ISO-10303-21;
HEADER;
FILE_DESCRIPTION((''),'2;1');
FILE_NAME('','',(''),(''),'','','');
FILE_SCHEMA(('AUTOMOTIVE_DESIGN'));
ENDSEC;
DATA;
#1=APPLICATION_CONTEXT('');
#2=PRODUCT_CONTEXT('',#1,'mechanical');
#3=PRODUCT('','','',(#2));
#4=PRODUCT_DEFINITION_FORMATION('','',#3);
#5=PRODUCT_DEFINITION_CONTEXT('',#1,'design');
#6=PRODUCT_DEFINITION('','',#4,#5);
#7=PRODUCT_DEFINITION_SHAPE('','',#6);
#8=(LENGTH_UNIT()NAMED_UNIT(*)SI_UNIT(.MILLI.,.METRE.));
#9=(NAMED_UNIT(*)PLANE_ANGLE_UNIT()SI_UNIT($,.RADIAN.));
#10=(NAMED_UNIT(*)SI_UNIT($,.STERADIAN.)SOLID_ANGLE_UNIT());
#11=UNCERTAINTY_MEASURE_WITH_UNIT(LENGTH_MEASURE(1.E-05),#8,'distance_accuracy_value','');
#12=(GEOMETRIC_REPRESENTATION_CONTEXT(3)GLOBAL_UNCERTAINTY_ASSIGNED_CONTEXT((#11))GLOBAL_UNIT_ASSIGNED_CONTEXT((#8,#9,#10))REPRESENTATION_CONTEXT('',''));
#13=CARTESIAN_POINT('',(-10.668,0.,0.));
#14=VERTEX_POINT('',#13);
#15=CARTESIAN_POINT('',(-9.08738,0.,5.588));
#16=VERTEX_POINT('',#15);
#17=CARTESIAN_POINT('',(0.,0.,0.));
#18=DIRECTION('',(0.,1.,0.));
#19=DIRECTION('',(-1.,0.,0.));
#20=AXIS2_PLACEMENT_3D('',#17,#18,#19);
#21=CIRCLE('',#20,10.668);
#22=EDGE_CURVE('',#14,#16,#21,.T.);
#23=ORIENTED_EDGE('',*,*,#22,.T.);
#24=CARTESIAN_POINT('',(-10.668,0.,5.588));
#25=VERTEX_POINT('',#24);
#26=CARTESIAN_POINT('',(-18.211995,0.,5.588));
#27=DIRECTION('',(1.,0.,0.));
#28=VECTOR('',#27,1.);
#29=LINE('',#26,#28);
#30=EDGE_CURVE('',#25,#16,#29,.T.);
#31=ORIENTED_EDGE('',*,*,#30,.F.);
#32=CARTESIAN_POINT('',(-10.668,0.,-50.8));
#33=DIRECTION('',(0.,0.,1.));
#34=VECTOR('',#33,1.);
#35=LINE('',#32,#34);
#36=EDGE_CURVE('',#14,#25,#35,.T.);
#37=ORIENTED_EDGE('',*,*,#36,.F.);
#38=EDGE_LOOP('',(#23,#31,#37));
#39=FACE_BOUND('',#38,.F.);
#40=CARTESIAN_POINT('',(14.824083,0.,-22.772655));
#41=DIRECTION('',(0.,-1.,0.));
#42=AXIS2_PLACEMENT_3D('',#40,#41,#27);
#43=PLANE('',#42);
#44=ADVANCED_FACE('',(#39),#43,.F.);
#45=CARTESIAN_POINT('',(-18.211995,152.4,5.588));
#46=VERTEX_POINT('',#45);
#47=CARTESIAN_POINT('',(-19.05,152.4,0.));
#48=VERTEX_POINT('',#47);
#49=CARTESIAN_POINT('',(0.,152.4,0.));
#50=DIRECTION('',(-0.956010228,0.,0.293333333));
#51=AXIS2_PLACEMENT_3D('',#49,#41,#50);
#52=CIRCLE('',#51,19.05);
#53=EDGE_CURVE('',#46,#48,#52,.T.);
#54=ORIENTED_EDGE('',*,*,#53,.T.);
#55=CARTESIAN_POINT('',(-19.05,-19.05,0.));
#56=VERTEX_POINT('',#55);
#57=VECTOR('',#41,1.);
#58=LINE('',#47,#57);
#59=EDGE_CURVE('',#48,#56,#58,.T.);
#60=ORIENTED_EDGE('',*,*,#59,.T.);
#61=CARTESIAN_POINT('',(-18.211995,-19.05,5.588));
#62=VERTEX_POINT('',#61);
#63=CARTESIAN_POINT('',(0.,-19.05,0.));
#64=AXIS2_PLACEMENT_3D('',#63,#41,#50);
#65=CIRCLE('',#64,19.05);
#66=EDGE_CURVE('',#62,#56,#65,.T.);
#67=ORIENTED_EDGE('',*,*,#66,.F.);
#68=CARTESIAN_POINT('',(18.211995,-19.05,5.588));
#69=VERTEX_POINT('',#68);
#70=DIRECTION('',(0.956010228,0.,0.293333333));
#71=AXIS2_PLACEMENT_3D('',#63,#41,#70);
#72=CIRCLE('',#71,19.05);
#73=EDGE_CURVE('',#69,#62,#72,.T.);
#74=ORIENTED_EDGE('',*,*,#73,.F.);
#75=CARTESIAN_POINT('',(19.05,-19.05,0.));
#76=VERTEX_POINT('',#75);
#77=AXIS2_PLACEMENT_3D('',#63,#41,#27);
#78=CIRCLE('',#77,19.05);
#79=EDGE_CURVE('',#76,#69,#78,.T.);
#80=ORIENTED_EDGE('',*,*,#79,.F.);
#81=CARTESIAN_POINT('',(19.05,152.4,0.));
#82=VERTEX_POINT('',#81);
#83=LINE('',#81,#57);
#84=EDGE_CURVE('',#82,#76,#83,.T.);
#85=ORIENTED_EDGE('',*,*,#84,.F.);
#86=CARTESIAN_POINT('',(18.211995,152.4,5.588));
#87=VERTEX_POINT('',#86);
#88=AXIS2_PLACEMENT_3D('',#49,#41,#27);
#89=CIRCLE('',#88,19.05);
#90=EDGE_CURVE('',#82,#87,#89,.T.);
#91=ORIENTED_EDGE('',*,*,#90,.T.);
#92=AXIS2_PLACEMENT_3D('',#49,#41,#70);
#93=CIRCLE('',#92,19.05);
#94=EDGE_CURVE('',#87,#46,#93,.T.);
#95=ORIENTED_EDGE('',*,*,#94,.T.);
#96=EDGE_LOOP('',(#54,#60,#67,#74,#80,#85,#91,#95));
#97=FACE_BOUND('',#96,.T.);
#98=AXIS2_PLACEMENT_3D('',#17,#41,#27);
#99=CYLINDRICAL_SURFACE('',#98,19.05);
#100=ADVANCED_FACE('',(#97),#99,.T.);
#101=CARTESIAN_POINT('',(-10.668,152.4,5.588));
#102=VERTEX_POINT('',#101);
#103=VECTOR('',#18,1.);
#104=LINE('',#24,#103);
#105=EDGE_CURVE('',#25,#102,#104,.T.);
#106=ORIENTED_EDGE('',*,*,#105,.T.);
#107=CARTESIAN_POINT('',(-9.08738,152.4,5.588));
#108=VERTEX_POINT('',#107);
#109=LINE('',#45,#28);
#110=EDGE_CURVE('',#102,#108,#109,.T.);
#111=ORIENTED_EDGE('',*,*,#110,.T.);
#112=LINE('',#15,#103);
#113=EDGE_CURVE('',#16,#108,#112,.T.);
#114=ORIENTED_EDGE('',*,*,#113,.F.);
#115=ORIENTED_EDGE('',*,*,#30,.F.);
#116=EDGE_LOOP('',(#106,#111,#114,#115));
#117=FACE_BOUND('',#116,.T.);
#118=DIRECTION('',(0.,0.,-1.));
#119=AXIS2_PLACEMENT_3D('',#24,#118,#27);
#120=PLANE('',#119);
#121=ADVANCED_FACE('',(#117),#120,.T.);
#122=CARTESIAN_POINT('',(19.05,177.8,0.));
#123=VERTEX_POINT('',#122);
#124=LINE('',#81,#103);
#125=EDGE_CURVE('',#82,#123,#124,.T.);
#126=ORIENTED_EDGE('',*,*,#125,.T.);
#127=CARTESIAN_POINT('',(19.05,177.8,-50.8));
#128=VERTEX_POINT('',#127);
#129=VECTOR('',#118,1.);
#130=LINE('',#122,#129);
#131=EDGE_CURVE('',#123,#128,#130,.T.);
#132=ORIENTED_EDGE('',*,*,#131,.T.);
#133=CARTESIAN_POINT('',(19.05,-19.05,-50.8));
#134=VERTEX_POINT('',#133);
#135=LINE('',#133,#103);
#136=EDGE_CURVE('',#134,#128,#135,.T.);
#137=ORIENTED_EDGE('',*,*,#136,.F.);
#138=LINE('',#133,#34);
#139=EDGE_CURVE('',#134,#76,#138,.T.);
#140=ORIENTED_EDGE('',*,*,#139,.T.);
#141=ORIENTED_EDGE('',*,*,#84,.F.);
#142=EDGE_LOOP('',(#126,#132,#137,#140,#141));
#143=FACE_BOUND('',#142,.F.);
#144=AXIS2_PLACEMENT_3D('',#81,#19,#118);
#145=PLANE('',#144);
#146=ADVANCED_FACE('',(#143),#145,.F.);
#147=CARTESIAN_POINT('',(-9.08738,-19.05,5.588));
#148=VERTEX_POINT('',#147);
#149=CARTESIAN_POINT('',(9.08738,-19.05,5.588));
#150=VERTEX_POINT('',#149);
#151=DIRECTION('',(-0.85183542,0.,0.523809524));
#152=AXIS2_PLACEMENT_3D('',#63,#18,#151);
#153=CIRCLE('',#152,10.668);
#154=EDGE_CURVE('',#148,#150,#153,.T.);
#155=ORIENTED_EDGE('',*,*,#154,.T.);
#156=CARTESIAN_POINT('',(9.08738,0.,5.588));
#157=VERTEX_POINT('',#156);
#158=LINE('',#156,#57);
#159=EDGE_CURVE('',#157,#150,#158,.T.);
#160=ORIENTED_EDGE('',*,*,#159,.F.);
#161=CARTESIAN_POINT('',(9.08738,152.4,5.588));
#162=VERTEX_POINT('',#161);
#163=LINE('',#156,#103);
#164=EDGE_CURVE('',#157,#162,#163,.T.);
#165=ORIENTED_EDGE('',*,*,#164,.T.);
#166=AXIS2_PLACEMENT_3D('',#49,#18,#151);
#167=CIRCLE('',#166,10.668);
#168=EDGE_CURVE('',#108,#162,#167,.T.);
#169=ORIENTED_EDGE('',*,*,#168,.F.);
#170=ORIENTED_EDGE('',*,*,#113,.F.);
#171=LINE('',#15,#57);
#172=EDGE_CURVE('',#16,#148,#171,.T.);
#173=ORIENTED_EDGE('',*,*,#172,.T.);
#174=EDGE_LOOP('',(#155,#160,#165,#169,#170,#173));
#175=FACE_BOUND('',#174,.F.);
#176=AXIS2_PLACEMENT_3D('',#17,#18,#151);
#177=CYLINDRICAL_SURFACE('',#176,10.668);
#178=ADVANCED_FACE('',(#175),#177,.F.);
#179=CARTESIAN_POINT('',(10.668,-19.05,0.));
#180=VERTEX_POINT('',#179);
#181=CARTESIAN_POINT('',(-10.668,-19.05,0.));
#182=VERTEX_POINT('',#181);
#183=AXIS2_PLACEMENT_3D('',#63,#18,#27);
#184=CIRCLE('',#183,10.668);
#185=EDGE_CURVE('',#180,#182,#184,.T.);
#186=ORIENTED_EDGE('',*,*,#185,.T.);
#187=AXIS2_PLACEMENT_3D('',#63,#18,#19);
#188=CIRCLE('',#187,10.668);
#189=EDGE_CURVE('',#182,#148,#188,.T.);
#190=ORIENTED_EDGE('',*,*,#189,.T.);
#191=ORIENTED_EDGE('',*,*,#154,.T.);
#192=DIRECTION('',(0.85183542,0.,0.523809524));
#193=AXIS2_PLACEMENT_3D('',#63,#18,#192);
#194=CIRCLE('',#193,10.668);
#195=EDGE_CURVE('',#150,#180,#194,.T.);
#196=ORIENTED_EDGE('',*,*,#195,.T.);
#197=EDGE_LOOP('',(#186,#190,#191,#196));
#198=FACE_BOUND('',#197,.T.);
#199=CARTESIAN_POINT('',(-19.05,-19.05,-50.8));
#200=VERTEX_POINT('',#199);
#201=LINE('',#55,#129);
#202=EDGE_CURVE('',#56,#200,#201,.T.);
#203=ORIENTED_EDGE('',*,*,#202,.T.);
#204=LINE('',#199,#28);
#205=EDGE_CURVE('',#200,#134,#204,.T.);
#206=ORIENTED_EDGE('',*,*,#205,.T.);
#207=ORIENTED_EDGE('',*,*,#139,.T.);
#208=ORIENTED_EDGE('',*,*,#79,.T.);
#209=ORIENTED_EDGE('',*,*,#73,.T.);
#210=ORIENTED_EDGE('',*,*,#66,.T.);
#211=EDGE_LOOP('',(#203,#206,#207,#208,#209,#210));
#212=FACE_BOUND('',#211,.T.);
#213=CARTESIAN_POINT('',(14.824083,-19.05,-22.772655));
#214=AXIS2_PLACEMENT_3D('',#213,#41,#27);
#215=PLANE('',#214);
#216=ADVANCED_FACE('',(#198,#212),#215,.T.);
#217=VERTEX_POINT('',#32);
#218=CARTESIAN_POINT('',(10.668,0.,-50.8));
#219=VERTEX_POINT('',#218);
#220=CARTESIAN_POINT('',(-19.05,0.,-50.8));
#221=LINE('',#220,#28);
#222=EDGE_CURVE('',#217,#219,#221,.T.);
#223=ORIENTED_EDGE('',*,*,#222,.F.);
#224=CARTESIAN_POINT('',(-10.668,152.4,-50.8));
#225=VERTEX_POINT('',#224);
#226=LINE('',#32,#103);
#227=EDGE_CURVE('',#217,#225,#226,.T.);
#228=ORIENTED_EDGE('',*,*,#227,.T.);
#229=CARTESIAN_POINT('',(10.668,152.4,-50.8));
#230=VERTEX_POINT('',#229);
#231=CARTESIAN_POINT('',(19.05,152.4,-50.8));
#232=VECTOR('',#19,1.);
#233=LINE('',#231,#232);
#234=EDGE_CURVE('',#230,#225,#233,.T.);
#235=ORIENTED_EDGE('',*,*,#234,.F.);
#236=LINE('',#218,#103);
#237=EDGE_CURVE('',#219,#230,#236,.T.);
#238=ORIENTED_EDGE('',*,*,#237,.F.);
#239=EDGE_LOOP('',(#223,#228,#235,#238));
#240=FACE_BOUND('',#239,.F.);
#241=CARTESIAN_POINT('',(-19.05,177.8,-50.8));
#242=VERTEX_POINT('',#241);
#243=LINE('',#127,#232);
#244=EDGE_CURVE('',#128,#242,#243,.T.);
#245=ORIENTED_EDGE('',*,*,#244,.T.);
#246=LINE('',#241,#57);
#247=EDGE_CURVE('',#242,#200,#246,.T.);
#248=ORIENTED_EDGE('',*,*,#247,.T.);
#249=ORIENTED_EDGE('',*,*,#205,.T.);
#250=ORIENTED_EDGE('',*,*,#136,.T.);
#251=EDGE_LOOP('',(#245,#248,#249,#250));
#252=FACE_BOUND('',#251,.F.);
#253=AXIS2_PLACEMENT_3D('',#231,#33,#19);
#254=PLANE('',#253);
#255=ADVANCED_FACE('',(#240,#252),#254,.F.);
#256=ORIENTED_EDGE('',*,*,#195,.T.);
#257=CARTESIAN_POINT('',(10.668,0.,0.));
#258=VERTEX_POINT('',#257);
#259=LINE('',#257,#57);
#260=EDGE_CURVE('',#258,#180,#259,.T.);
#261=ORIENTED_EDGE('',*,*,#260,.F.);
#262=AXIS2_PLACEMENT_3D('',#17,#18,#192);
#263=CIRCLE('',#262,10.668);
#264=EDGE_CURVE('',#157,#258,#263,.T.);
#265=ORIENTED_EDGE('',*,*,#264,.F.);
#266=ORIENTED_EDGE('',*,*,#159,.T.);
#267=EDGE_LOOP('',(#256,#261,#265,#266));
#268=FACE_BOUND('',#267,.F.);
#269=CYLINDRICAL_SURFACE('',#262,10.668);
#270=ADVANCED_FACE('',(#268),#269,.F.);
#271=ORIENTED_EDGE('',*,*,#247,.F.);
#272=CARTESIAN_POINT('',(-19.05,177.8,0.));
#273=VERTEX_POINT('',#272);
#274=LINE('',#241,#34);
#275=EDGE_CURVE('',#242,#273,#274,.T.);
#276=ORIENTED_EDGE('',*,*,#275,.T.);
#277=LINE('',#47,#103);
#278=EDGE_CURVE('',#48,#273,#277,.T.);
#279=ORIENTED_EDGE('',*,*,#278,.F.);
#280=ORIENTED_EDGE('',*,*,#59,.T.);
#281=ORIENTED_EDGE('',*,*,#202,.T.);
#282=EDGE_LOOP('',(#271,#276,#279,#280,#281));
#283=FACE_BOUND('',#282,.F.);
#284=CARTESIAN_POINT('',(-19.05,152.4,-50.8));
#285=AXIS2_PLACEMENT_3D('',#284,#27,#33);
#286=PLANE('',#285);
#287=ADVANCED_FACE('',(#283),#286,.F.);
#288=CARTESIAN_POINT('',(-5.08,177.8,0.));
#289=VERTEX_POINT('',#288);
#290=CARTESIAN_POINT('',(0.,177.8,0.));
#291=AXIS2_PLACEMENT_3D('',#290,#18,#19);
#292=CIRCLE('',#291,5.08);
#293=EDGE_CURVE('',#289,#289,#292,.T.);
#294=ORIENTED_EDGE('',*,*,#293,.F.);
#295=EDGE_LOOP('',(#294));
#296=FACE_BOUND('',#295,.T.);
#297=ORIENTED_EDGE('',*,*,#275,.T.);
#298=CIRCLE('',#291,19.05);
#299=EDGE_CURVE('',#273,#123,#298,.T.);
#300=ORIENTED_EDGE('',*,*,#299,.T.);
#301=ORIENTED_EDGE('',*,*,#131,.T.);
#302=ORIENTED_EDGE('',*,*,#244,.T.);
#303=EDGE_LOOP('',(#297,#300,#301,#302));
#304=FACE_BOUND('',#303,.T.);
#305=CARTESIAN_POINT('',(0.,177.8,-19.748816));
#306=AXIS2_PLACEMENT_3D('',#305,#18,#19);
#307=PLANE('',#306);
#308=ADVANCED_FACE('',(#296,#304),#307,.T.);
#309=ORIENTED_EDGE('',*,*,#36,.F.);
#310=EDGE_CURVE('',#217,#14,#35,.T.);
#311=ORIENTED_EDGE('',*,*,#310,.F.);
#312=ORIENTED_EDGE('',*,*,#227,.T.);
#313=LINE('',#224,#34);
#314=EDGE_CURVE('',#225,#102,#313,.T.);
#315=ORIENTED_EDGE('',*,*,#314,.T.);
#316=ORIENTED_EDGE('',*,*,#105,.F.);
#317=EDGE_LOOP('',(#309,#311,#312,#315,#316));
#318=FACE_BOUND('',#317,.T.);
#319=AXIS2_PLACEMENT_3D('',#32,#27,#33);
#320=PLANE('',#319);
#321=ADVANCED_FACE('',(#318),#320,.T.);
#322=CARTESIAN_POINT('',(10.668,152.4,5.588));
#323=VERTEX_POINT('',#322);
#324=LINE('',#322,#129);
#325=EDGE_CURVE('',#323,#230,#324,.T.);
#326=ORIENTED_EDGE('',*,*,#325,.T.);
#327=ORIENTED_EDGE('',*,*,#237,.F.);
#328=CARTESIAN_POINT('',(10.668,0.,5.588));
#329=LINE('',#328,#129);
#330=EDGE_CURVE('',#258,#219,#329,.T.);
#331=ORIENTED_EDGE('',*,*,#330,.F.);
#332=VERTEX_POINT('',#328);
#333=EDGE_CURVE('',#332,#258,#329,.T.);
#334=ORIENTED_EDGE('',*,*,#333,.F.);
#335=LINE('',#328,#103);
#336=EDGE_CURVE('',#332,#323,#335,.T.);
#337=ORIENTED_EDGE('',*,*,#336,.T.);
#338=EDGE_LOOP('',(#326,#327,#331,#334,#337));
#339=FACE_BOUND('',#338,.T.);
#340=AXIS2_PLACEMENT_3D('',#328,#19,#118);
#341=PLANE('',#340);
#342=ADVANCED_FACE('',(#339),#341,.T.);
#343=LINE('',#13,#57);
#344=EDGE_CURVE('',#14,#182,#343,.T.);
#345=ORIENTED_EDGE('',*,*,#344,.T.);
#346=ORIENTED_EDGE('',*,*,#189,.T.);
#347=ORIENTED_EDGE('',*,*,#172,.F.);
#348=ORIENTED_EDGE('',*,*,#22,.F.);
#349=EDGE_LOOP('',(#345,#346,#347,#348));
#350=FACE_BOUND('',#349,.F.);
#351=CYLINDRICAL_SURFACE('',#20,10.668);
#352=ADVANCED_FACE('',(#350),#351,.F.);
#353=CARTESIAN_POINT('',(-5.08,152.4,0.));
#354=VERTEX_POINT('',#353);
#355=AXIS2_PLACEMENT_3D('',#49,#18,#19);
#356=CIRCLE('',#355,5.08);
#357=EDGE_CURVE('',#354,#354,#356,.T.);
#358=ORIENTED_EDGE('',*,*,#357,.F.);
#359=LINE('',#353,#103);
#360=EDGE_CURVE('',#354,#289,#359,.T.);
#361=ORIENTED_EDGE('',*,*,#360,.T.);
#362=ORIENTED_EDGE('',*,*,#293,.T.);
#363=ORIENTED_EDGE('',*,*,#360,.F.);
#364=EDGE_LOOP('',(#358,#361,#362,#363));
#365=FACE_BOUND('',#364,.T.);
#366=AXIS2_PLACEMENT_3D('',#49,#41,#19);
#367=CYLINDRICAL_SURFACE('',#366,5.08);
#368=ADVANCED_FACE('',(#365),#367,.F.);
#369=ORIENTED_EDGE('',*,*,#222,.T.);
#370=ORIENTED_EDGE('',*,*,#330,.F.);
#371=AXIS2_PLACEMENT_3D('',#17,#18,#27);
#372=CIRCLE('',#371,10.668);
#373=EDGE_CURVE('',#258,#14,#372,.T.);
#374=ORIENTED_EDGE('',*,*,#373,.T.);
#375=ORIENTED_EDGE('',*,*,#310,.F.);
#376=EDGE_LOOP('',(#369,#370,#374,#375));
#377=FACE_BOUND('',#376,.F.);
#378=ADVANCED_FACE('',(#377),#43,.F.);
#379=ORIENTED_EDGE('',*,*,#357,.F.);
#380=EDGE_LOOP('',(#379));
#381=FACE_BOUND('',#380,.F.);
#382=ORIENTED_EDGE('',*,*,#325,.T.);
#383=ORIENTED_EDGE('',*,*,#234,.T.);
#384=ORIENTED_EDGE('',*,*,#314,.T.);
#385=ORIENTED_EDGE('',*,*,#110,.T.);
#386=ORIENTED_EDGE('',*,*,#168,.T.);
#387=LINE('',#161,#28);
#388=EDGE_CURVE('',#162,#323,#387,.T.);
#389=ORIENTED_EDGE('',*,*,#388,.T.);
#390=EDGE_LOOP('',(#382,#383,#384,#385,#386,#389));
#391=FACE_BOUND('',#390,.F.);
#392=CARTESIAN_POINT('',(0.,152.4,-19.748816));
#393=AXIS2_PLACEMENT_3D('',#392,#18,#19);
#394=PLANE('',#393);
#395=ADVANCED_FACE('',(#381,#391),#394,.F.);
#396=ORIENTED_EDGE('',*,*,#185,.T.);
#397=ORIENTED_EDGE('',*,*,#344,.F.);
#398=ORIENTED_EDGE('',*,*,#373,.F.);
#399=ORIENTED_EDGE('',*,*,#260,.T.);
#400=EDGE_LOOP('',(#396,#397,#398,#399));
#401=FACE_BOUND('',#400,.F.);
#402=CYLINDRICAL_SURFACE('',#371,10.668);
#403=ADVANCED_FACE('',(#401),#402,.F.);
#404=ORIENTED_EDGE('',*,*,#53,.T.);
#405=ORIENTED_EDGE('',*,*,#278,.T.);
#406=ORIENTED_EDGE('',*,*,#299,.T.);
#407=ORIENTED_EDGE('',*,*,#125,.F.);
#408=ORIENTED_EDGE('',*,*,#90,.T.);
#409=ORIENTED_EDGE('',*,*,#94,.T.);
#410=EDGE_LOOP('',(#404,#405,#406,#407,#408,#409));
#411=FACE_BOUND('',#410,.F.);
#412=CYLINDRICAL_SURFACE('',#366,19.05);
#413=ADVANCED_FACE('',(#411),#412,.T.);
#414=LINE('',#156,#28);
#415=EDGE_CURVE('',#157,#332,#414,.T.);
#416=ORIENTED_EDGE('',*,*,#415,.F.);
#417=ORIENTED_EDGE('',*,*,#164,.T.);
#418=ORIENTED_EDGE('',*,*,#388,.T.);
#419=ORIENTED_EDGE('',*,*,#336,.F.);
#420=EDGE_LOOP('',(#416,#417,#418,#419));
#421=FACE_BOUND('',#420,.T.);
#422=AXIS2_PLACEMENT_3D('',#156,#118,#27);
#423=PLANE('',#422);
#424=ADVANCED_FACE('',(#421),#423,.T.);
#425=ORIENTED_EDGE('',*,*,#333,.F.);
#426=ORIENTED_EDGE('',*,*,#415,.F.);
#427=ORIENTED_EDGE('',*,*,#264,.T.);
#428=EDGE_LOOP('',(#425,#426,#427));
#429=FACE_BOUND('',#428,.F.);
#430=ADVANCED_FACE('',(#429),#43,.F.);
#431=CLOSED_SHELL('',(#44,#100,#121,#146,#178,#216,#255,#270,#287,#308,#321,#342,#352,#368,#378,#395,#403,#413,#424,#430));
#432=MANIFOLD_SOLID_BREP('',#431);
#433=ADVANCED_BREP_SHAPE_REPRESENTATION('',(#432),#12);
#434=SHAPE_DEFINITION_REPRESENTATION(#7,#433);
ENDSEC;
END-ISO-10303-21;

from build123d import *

# Parameters (mm, degrees)
F1_DEPTH = 19.05
F2_DEPTH = 152.4
F3_R     = 10.668
F3_R_2   = 5.08
F4_DEPTH = 25.4


with BuildPart() as f1:
    # F0 (on Front) → F1 (new body)
    with BuildSketch(Plane.XZ):
        with BuildLine():
            Line((19.05, -50.8), (19.05, 0))
            ThreePointArc((19.05, 0), (18.8393338746, 2.8252432042), (18.2119948386, 5.588))
            Line((18.2119948386, 5.588), (10.668, 5.588))
            Line((10.668, 5.588), (10.668, 0))
            Line((10.668, 0), (10.668, -50.8))
            Line((10.668, -50.8), (19.05, -50.8))
        make_face()
        with BuildLine():
            Line((10.668, 5.588), (18.2119948386, 5.588))
            ThreePointArc((18.2119948386, 5.588), (0, 19.05), (-18.2119948386, 5.588))
            Line((-18.2119948386, 5.588), (-10.668, 5.588))
            Line((-10.668, 5.588), (-9.0873802606, 5.588))
            ThreePointArc((-9.0873802606, 5.588), (0, 10.668), (9.0873802606, 5.588))
            Line((9.0873802606, 5.588), (10.668, 5.588))
        make_face()
        with BuildLine():
            Line((-10.668, 5.588), (-18.2119948386, 5.588))
            ThreePointArc((-18.2119948386, 5.588), (-18.8393338746, 2.8252432042), (-19.05, 0))
            Line((-19.05, 0), (-19.05, -50.8))
            Line((-19.05, -50.8), (-10.668, -50.8))
            Line((-10.668, -50.8), (-10.668, 0))
            Line((-10.668, 0), (-10.668, 5.588))
        make_face()
        with BuildLine():
            Line((-10.668, -50.8), (10.668, -50.8))
            Line((10.668, -50.8), (10.668, 0))
            ThreePointArc((10.668, 0), (0, -10.668), (-10.668, 0))
            Line((-10.668, 0), (-10.668, -50.8))
        make_face()
        with BuildLine():
            Line((10.668, 0), (10.668, 5.588))
            Line((10.668, 5.588), (9.0873802606, 5.588))
            ThreePointArc((9.0873802606, 5.588), (10.2652422431, 2.9036228561), (10.668, 0))
        make_face()
        with BuildLine():
            Line((-9.0873802606, 5.588), (-10.668, 5.588))
            Line((-10.668, 5.588), (-10.668, 0))
            ThreePointArc((-10.668, 0), (-10.2652422431, 2.9036228561), (-9.0873802606, 5.588))
        make_face()
    extrude(amount=F1_DEPTH)

    # F0 (on Front) → F2 (join)
    with BuildSketch(Plane.XZ):
        with BuildLine():
            Line((19.05, -50.8), (19.05, 0))
            ThreePointArc((19.05, 0), (18.8393338746, 2.8252432042), (18.2119948386, 5.588))
            Line((18.2119948386, 5.588), (10.668, 5.588))
            Line((10.668, 5.588), (10.668, 0))
            Line((10.668, 0), (10.668, -50.8))
            Line((10.668, -50.8), (19.05, -50.8))
        make_face()
        with BuildLine():
            Line((10.668, 5.588), (18.2119948386, 5.588))
            ThreePointArc((18.2119948386, 5.588), (0, 19.05), (-18.2119948386, 5.588))
            Line((-18.2119948386, 5.588), (-10.668, 5.588))
            Line((-10.668, 5.588), (-9.0873802606, 5.588))
            ThreePointArc((-9.0873802606, 5.588), (0, 10.668), (9.0873802606, 5.588))
            Line((9.0873802606, 5.588), (10.668, 5.588))
        make_face()
        with BuildLine():
            Line((-10.668, 5.588), (-18.2119948386, 5.588))
            ThreePointArc((-18.2119948386, 5.588), (-18.8393338746, 2.8252432042), (-19.05, 0))
            Line((-19.05, 0), (-19.05, -50.8))
            Line((-19.05, -50.8), (-10.668, -50.8))
            Line((-10.668, -50.8), (-10.668, 0))
            Line((-10.668, 0), (-10.668, 5.588))
        make_face()
    extrude(amount=-F2_DEPTH)

    # F3 (on face) → F4 (join)
    with BuildSketch(Plane(origin=(0, 152.4, 0), x_dir=(-1, 0, 0), z_dir=(0, 1, 0))):
        with BuildLine():
            ThreePointArc((19.05, 0), (0, 19.05), (-19.05, 0))
            Line((-19.05, 0), (-19.05, -50.8))
            Line((-19.05, -50.8), (19.05, -50.8))
            Line((19.05, -50.8), (19.05, 0))
        make_face()
        Circle(F3_R, mode=Mode.SUBTRACT)
        with BuildLine():
            ThreePointArc((-9.0873802606, 5.588), (-10.2652422431, 2.903622856), (-10.668, -1e-10))
            ThreePointArc((-10.668, -1e-10), (0, -10.668), (10.668, 0))
            ThreePointArc((10.668, 0), (10.2652422431, 2.9036228561), (9.0873802606, 5.588))
            ThreePointArc((9.0873802606, 5.588), (0, 10.668), (-9.0873802606, 5.588))
        make_face()
        Circle(F3_R_2, mode=Mode.SUBTRACT)
    extrude(amount=F4_DEPTH)


solid = f1.part
